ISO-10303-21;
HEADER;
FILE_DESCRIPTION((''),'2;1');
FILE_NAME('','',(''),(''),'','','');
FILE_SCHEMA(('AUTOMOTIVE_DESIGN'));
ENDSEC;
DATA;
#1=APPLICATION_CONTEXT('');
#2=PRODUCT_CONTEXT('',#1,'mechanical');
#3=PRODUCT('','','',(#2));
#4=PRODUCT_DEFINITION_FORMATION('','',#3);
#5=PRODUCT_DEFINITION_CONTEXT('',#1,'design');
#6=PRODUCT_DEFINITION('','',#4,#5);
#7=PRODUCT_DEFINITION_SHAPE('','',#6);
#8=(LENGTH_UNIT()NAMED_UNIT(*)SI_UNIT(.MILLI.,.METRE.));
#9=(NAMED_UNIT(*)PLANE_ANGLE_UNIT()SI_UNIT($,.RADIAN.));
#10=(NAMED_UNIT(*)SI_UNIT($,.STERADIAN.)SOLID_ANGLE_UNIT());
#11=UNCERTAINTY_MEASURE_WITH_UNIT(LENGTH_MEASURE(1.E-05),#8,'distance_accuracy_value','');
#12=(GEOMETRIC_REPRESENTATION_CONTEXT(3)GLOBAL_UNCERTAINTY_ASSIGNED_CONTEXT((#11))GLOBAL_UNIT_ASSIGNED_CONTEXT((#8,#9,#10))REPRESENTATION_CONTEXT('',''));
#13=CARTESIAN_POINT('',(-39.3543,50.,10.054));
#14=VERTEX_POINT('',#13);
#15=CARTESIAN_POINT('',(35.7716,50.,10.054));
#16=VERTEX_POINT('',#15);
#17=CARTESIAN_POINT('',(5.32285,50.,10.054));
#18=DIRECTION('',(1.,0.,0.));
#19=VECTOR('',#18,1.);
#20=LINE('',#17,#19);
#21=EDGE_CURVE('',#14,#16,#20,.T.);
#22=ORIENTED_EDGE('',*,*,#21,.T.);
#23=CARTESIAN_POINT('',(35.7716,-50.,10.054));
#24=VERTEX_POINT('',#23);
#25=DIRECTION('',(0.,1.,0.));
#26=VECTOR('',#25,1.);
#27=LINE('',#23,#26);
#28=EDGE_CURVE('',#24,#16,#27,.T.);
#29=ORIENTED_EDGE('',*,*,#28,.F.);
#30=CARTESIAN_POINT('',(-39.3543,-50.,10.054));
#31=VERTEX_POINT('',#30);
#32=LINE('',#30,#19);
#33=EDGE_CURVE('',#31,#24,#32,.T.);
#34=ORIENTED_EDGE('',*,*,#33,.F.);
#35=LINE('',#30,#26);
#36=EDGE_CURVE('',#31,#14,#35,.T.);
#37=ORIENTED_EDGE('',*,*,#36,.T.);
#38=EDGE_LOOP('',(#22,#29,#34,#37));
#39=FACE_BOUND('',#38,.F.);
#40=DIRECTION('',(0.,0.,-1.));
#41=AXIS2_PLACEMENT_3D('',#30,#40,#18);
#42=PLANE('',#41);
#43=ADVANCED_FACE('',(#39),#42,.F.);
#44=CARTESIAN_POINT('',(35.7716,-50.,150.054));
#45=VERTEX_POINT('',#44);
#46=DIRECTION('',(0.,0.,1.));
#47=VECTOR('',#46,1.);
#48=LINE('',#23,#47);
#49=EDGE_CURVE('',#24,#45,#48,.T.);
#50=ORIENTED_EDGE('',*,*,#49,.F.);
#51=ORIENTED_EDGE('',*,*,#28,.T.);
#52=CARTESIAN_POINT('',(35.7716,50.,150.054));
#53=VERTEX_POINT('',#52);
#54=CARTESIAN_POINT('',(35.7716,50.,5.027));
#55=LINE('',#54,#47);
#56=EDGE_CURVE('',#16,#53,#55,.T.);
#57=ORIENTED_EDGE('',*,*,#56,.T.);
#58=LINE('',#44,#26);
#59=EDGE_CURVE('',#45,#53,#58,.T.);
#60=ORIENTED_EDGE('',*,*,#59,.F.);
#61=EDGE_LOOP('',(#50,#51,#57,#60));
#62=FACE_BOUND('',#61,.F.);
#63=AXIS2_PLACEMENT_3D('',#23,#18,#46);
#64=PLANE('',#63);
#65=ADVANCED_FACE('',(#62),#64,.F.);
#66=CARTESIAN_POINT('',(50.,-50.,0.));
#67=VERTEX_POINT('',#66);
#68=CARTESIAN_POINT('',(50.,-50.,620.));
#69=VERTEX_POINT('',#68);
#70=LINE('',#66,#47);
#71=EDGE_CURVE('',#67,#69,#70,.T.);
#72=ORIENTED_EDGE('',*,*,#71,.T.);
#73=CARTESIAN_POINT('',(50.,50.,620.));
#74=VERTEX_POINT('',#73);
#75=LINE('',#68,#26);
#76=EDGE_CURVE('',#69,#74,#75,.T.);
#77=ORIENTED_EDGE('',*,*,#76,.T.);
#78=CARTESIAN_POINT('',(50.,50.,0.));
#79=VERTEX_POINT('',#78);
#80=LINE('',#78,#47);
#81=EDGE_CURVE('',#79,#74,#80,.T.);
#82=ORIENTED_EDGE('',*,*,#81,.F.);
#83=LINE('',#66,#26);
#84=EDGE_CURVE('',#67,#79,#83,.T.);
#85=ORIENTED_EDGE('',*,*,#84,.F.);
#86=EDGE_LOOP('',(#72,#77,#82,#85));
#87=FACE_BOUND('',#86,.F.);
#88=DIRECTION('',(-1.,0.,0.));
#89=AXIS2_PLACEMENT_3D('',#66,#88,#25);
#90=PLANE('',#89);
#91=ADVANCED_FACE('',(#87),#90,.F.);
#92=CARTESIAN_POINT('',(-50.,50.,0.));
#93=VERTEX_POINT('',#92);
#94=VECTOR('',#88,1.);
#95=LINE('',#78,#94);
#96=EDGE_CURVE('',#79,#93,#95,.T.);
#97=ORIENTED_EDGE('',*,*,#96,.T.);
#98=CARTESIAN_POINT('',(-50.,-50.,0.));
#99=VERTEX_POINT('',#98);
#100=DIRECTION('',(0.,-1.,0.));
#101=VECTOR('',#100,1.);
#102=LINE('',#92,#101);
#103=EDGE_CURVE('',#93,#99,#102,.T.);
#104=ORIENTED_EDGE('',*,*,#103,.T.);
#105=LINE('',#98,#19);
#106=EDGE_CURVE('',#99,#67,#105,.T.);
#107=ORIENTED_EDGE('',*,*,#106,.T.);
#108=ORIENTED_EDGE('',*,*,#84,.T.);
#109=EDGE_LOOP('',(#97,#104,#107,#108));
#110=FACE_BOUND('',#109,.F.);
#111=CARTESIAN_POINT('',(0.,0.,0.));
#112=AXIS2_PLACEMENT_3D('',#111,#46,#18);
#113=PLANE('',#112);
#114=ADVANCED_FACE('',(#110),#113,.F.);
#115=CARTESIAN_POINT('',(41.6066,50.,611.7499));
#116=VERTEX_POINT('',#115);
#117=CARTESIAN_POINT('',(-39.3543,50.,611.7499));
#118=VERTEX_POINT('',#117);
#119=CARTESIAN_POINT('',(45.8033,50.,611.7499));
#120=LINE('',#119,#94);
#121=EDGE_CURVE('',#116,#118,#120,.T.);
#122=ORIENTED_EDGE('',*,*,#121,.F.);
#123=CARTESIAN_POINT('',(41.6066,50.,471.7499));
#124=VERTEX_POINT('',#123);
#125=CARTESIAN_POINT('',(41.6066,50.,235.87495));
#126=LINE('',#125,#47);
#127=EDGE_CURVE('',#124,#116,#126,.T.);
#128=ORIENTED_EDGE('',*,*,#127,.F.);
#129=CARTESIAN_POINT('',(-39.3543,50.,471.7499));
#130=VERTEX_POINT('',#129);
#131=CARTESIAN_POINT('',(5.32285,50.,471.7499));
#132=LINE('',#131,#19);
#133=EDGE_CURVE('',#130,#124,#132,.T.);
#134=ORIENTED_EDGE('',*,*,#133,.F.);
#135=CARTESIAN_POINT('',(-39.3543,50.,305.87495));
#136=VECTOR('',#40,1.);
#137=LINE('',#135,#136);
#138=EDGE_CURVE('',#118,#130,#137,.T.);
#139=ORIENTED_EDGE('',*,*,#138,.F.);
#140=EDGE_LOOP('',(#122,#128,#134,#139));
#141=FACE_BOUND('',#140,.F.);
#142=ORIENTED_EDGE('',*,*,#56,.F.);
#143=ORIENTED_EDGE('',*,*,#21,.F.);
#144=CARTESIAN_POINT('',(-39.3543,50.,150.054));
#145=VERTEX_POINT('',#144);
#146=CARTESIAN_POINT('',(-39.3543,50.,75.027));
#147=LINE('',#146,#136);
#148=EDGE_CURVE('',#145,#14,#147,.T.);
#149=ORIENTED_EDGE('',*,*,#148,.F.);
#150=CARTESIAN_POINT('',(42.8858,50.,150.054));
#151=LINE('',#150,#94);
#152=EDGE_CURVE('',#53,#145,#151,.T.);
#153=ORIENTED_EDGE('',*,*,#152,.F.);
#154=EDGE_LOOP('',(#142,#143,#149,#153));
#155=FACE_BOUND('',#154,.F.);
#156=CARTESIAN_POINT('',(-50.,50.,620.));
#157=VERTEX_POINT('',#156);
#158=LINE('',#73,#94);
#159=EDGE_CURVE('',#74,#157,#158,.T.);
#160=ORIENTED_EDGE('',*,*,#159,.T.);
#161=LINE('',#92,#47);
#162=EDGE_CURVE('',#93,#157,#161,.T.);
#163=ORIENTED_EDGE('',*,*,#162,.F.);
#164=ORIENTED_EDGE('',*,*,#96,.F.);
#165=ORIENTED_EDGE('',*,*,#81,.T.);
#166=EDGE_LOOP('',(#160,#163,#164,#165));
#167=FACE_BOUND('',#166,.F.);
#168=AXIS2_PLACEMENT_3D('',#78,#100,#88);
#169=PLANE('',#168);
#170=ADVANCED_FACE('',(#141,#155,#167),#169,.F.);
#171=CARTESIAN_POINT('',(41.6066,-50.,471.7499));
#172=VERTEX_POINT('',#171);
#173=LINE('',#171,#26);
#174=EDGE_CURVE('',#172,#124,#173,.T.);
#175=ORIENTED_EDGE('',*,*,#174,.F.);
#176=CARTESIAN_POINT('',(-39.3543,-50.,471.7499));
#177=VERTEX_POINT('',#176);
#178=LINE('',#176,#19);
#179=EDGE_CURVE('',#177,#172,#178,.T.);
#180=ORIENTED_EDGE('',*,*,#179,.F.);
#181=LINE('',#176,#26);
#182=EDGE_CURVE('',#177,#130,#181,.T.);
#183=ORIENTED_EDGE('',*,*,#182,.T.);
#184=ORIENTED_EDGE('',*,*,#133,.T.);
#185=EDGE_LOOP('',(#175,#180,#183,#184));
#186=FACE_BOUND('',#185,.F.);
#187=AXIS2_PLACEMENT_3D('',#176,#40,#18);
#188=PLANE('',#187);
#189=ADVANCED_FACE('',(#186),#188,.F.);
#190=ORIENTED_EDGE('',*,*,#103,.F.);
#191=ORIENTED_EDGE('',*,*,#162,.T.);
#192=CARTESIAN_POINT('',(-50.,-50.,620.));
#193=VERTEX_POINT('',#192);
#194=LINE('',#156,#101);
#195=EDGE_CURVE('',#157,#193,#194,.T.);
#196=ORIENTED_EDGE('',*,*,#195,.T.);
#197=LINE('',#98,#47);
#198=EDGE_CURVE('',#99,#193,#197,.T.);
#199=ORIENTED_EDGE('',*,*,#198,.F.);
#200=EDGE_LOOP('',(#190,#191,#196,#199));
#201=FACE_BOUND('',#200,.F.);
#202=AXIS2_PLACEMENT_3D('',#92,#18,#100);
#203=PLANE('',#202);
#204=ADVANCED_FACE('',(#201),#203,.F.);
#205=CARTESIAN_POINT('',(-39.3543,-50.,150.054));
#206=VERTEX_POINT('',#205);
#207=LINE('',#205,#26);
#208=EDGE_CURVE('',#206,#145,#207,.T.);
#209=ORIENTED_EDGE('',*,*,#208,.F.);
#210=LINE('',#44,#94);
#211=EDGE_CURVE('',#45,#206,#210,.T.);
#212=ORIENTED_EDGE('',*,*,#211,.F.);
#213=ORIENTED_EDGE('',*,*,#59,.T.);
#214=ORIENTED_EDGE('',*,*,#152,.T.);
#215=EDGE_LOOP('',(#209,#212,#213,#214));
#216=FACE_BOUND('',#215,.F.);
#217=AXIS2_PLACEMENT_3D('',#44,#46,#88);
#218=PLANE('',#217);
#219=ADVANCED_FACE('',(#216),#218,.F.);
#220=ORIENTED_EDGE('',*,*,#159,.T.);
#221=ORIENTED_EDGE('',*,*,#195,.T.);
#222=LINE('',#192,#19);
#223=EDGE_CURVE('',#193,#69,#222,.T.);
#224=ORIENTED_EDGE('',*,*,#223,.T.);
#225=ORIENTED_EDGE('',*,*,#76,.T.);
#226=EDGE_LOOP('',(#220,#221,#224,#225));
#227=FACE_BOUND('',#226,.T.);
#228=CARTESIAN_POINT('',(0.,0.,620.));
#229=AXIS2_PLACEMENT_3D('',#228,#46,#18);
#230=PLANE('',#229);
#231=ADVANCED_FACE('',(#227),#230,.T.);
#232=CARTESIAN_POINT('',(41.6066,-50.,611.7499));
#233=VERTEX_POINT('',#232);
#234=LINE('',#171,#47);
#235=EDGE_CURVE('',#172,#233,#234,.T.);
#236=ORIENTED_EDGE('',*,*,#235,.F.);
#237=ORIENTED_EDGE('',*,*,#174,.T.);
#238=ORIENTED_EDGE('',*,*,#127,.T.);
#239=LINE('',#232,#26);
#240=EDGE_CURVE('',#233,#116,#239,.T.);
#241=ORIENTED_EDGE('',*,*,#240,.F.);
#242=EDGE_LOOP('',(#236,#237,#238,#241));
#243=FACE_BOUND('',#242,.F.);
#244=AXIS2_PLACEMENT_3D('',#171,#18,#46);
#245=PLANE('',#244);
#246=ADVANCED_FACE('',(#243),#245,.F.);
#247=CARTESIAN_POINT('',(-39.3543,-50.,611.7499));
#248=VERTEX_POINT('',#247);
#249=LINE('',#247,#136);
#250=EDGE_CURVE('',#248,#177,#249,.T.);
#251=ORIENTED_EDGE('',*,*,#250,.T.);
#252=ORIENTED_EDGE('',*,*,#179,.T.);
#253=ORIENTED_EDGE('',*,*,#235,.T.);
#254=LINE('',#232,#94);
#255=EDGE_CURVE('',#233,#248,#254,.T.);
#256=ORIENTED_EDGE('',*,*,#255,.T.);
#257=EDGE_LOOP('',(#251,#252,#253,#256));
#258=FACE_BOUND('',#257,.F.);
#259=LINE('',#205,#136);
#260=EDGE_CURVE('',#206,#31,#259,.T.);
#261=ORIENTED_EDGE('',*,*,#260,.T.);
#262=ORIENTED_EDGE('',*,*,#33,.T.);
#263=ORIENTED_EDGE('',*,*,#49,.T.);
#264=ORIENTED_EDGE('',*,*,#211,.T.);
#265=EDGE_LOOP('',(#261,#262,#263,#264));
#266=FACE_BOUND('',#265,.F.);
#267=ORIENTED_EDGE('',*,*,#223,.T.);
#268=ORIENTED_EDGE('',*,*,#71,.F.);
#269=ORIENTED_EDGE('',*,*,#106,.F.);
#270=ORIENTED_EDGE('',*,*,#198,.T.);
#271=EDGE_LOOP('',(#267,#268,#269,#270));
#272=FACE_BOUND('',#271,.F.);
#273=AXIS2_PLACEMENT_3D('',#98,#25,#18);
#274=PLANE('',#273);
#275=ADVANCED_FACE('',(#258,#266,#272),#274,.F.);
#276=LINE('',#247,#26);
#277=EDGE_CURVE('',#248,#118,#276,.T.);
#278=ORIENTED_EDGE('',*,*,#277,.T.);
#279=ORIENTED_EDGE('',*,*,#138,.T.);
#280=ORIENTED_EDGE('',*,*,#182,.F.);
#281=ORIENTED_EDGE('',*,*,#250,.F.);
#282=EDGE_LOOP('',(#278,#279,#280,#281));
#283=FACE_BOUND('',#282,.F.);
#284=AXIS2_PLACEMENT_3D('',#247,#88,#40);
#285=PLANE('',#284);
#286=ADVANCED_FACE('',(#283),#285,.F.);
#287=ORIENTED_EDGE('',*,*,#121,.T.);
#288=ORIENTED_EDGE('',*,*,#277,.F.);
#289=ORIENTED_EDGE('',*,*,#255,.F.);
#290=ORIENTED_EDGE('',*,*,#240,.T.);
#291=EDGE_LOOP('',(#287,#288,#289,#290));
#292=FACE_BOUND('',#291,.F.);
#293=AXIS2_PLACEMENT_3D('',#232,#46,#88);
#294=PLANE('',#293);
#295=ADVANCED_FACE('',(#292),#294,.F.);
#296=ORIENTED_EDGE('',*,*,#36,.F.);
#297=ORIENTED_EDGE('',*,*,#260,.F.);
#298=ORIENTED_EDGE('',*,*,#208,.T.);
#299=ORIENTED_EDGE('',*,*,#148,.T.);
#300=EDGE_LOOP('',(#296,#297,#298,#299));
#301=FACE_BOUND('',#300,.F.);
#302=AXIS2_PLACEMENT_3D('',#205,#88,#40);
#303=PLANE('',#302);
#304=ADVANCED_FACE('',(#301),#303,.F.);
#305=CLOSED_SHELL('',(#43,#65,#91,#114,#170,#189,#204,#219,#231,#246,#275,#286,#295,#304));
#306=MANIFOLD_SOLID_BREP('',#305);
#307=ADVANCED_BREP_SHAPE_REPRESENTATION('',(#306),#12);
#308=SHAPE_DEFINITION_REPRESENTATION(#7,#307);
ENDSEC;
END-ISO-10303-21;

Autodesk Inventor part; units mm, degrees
ref_plane "YZ Plane" through (0, 0, 0) normal (1, 0, 0) x (0, 1, 0)
ref_plane "XZ Plane" through (0, 0, 0) normal (0, 1, 0) x (-1, 0, 0)
ref_plane "XY Plane" through (0, 0, 0) normal (0, 0, 1) x (1, 0, 0)
sketch "Sketch1" plane through (0, 0, 0) normal (0, 0, 1) x (1, 0, 0)
  line L0 (-50, -50) -> (50, -50)
  line L1 (50, -50) -> (50, 50)
  line L2 (50, 50) -> (-50, 50)
  line L3 (-50, 50) -> (-50, -50)
  line L4 (-50, -50) -> (50, 50) construction
  line L5 (50, -50) -> (-50, 50) construction
  point P0 (0, 0)
  dimension "d0" = 100
  dimension "d1" = 100
extrude "Extrusion1" add sketch "Sketch1" along normal blind 620
sketch "Sketch2" plane through (-50, -50, 0) normal (0, -1, 0) x (1, 0, 0)
  line L0 (0, 0) -> (100, 0) projected
  line L1 (100, 0) -> (100, 620) projected
  line L2 (0, 620) -> (100, 620) projected
  line L3 (0, 0) -> (0, 620) projected
  line L4 (91.6066, 611.7499) -> (10.6457, 611.7499)
  line L5 (10.6457, 611.7499) -> (10.6457, 471.7499)
  line L6 (10.6457, 471.7499) -> (91.6066, 471.7499)
  line L7 (91.6066, 471.7499) -> (91.6066, 611.7499)
  line L8 (85.7716, 150.054) -> (10.6457, 150.054)
  line L9 (10.6457, 150.054) -> (10.6457, 10.054)
  line L10 (10.6457, 10.054) -> (85.7716, 10.054)
  line L11 (85.7716, 10.054) -> (85.7716, 150.054)
  point P0 (50, 0)
  dimension "d4" = 140
  dimension "d5" = 140
extrude "Extrusion2" cut sketch "Sketch2" against normal blind 620 contours L7 L6 L5 L4 | L11 L10 L9 L8
properties part number "TUBO" material "Steel, Mild, Welded"
